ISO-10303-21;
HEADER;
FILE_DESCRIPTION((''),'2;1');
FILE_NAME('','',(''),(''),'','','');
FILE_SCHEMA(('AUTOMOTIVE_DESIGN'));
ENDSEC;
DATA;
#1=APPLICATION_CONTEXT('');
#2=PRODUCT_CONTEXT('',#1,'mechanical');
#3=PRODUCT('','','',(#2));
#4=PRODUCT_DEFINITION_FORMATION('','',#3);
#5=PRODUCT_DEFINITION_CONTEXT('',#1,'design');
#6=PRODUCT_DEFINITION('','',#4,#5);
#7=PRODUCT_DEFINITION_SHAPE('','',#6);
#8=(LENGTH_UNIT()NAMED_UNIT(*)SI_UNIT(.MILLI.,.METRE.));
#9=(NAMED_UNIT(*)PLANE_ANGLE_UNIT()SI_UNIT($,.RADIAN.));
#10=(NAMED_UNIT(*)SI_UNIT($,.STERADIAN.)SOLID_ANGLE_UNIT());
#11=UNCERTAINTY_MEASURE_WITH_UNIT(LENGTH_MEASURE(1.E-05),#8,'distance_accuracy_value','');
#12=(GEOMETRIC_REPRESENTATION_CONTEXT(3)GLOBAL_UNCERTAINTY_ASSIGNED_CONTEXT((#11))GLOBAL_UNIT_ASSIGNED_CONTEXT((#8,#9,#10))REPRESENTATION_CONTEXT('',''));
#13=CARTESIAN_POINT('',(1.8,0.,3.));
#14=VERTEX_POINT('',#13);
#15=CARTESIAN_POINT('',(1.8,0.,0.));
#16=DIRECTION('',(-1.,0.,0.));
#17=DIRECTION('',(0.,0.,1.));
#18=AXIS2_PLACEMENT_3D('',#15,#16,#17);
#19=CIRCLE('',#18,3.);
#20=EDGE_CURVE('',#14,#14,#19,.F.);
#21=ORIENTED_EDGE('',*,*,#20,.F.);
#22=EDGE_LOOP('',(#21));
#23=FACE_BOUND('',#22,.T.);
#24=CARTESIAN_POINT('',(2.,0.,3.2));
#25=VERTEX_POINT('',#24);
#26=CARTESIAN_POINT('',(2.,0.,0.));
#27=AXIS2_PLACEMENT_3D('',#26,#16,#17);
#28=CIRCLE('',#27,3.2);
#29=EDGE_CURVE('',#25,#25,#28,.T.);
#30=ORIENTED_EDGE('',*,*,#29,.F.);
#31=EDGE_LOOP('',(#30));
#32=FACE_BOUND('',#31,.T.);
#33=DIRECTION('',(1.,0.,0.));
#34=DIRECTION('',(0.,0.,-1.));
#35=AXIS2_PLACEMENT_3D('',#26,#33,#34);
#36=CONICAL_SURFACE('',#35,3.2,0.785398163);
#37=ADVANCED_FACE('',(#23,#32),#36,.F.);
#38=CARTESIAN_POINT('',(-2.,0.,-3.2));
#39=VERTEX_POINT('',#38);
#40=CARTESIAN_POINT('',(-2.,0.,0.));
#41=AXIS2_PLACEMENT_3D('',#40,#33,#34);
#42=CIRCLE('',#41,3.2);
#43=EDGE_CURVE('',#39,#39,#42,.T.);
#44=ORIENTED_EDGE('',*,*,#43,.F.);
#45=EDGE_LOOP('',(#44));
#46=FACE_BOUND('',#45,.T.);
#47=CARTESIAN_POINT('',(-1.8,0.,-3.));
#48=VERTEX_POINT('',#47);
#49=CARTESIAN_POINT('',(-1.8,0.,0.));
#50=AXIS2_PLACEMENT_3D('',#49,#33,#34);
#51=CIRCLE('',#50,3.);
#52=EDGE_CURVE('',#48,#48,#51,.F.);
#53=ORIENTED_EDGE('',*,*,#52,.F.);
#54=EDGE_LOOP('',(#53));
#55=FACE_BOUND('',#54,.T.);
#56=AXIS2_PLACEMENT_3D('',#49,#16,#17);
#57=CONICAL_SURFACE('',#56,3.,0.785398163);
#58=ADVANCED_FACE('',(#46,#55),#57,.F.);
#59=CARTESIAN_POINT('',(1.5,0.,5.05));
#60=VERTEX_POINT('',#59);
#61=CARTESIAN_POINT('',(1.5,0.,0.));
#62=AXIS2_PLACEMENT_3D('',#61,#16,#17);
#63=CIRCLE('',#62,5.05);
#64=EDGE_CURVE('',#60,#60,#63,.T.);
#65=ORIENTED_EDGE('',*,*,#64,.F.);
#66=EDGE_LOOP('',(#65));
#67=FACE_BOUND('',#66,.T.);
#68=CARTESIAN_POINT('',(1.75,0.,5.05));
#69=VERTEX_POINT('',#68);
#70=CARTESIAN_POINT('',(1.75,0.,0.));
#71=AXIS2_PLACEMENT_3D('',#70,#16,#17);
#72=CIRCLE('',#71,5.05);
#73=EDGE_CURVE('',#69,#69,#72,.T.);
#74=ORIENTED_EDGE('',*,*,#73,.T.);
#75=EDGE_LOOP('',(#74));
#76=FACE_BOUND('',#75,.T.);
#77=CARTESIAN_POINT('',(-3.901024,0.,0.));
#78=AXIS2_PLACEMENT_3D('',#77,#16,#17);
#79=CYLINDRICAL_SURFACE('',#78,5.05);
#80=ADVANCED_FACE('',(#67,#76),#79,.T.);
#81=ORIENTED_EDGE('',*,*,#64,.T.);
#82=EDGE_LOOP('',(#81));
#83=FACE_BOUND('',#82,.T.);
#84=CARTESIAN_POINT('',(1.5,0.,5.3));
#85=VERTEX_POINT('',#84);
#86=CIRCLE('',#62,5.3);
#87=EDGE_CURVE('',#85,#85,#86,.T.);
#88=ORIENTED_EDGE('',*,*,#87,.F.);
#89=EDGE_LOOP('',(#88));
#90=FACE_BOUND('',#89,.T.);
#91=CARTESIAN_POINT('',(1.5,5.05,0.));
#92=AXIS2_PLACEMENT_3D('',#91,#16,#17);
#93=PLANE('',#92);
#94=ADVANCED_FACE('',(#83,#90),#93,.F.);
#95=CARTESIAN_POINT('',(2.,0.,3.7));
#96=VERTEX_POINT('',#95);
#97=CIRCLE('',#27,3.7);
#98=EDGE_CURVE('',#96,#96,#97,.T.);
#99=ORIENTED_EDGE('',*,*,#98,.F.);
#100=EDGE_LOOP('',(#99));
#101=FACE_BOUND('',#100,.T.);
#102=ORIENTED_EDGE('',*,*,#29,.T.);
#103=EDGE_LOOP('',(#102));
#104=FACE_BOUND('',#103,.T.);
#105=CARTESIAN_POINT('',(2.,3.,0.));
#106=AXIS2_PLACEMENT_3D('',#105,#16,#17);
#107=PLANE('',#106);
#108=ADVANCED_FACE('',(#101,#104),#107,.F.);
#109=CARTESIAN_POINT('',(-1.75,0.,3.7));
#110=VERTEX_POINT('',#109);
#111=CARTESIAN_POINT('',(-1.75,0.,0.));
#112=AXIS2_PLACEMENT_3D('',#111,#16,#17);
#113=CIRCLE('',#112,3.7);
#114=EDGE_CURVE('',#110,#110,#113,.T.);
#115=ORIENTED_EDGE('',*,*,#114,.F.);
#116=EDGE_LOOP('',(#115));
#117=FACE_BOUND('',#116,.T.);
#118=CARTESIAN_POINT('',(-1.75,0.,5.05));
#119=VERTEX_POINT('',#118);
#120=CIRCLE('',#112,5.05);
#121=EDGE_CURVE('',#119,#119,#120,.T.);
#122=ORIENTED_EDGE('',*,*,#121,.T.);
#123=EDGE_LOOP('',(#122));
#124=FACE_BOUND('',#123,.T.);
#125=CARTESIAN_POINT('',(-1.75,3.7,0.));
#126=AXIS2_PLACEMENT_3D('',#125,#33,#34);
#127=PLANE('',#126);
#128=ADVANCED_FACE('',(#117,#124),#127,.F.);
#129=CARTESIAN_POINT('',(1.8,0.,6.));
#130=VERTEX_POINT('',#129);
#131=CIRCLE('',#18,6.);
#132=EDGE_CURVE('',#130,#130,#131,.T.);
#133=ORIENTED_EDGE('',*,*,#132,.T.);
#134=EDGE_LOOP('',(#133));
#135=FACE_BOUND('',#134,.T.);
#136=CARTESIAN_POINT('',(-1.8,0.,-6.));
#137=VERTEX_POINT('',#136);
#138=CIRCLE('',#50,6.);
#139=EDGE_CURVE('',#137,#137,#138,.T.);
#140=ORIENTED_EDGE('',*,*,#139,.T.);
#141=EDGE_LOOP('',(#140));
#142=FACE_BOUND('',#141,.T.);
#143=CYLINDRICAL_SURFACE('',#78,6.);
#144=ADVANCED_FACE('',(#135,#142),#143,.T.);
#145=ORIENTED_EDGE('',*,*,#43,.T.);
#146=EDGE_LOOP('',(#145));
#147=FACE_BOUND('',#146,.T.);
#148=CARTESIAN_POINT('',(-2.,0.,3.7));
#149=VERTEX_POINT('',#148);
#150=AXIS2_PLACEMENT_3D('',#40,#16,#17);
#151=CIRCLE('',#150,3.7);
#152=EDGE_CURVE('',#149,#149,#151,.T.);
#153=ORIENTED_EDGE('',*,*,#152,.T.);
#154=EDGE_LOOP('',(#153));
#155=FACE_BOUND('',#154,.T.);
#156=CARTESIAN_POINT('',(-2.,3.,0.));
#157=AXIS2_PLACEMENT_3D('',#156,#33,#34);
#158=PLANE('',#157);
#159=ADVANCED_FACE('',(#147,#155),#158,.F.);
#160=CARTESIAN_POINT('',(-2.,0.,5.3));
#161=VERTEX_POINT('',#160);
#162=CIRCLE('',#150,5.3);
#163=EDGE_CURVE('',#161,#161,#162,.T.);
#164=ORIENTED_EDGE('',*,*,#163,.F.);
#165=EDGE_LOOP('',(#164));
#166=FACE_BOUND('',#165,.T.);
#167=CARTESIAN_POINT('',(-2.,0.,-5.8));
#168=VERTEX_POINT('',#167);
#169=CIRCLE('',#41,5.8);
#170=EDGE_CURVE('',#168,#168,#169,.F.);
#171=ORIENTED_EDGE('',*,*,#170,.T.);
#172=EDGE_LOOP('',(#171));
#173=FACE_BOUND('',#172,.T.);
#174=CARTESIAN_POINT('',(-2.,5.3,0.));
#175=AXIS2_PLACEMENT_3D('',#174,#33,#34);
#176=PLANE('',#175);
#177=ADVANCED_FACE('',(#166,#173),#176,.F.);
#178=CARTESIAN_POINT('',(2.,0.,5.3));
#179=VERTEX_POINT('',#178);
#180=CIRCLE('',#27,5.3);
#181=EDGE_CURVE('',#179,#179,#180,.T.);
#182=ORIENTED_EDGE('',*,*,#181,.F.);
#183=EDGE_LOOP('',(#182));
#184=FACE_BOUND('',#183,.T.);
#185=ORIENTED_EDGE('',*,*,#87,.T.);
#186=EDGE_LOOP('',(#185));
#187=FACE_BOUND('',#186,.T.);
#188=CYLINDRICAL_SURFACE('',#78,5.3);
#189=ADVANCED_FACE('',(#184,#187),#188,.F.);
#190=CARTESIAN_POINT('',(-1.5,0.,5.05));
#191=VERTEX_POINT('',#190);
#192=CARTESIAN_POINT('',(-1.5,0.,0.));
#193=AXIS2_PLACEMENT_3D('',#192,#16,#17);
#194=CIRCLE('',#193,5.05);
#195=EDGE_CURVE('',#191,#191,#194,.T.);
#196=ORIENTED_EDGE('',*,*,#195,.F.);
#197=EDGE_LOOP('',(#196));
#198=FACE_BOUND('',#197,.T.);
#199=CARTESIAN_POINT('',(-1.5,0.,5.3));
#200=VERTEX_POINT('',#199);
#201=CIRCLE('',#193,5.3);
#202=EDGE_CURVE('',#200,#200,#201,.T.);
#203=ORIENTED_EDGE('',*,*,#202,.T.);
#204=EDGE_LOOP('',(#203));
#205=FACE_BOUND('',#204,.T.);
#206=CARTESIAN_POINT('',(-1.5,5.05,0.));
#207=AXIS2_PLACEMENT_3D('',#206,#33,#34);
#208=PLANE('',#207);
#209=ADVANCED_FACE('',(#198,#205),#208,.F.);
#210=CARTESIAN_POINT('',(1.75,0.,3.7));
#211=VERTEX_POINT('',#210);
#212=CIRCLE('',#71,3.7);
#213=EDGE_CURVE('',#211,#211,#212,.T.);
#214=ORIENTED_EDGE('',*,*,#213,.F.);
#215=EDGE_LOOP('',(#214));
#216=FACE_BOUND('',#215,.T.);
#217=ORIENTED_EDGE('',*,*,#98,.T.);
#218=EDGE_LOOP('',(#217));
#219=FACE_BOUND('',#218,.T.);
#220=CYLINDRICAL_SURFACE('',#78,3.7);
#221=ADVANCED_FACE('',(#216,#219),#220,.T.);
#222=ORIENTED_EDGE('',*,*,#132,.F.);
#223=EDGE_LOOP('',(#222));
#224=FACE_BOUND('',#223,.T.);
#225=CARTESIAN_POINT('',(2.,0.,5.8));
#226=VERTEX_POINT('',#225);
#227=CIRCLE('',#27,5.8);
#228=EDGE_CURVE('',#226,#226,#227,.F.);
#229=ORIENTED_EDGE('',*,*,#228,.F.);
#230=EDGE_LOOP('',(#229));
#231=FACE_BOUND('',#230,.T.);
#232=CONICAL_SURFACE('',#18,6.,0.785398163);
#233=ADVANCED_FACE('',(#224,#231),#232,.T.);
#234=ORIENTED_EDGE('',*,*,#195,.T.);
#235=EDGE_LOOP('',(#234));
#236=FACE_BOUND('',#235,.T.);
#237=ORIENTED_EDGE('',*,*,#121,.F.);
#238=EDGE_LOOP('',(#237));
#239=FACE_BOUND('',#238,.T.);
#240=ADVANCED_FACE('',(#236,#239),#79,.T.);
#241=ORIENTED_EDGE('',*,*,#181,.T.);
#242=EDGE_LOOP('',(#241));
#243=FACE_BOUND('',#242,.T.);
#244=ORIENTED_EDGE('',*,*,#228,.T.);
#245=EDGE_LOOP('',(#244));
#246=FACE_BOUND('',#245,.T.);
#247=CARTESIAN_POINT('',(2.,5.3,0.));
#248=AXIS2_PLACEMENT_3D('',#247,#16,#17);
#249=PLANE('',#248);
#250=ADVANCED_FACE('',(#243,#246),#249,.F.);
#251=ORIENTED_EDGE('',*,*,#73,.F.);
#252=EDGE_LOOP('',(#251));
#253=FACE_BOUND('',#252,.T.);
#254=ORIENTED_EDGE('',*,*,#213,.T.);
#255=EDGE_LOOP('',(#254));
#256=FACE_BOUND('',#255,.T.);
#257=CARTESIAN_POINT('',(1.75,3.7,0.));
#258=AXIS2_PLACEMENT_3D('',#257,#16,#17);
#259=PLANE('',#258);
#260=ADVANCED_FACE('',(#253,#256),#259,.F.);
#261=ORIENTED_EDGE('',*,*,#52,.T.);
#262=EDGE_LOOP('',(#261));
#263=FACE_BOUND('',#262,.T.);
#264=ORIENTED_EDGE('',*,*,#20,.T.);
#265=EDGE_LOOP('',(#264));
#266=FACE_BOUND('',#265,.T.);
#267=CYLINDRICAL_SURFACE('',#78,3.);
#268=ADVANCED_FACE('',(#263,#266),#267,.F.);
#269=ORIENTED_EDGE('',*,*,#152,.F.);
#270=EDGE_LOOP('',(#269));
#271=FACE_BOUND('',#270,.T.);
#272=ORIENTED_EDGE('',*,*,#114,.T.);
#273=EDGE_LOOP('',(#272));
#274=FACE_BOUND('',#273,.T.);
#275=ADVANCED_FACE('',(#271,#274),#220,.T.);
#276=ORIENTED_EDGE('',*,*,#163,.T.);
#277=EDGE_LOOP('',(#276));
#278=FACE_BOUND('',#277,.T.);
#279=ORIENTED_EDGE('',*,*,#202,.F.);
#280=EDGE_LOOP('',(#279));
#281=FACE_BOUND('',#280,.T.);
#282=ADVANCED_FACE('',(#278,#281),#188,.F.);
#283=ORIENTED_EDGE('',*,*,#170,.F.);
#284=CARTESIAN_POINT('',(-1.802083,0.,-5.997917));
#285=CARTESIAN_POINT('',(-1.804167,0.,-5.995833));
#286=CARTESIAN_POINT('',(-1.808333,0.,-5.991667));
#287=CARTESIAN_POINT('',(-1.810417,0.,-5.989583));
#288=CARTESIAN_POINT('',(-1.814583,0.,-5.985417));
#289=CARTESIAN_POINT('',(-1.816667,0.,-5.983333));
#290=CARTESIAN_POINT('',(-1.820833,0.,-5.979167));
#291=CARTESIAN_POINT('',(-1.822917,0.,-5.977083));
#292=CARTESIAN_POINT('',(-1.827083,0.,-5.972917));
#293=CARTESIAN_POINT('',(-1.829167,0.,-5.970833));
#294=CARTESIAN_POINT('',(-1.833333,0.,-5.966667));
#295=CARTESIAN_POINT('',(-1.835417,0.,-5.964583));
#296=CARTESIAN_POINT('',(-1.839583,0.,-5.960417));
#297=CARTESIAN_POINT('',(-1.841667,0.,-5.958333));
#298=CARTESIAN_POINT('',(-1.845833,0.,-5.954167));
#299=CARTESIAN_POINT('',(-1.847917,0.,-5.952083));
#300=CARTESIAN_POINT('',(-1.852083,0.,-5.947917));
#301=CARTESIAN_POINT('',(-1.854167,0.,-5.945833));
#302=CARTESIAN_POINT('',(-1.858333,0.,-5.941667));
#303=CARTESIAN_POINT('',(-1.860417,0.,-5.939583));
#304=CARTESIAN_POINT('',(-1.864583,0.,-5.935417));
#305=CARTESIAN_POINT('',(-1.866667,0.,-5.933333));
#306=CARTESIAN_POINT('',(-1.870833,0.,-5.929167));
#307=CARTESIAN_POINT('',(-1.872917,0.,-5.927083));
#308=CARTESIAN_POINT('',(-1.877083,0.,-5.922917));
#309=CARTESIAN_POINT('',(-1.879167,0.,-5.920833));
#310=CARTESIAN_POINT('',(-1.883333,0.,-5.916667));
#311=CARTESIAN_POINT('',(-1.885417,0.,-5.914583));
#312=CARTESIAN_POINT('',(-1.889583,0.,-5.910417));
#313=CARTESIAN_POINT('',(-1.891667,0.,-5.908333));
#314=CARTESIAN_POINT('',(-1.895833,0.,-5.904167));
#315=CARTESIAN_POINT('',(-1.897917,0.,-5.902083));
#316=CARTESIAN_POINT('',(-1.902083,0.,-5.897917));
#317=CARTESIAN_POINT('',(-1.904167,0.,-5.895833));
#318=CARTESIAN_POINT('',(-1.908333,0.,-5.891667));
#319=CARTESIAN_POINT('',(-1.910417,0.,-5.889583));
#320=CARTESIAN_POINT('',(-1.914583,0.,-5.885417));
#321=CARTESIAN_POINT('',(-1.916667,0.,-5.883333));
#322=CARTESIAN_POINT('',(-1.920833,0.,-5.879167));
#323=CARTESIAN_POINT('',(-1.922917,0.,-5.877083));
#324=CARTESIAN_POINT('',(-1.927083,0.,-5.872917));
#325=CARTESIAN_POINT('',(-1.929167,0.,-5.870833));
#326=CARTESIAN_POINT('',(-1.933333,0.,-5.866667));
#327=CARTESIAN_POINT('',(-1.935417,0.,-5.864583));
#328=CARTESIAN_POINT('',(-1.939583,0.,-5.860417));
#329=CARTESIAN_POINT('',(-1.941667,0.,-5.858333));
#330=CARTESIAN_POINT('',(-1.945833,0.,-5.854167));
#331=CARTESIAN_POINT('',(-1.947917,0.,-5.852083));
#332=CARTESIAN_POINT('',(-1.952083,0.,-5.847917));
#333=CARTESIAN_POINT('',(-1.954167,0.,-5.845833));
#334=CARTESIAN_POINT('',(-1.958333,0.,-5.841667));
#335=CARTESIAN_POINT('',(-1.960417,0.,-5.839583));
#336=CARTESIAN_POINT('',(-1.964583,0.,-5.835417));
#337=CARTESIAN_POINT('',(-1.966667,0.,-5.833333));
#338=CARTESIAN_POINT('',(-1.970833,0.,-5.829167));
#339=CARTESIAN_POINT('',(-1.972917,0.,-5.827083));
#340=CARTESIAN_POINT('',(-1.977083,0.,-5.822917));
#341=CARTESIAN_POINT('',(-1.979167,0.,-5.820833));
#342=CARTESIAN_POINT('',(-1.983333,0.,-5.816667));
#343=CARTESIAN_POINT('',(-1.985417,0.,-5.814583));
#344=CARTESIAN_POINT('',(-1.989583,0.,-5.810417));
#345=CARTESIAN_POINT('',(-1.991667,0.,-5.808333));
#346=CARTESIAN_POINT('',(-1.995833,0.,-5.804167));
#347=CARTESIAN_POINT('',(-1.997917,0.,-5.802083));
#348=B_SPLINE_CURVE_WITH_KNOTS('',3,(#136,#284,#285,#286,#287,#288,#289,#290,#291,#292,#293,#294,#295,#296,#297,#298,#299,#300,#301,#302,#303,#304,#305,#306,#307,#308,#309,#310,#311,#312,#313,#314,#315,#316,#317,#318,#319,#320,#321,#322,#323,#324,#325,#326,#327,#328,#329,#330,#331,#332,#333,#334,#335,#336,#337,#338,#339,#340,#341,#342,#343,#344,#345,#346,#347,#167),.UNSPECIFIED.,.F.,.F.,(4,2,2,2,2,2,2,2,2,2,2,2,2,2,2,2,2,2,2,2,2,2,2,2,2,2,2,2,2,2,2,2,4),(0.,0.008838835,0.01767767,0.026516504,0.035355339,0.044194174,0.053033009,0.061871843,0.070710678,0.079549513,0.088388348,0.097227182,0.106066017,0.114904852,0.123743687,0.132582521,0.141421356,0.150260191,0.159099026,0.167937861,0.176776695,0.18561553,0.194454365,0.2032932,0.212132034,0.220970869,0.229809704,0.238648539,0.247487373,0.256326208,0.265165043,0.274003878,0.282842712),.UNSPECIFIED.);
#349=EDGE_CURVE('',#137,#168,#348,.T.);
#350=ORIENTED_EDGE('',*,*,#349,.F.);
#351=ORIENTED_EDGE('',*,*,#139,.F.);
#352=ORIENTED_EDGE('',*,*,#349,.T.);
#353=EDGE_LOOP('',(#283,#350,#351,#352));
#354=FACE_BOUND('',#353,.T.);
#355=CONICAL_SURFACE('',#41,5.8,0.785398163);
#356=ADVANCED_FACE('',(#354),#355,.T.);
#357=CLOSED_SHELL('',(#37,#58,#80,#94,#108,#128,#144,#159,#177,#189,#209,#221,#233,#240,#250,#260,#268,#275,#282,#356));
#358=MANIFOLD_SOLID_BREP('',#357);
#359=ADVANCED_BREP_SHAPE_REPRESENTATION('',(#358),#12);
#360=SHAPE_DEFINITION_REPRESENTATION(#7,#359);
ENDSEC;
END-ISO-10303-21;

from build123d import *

# Parameters (mm, degrees)
CHAMFER_1_SIZE = 0.2


with BuildPart() as part:
    # 草图1 → 旋转1 (revolve)
    with BuildSketch(Plane.XY, mode=Mode.PRIVATE) as revolve_1_sk:
        Polygon((-2, 3), (2, 3), (2, 3.7), (1.75, 3.7), (1.75, 5.05), (1.5, 5.05), (1.5, 5.3), (2, 5.3), (2, 6), (-2, 6), (-2, 5.3), (-1.5, 5.3), (-1.5, 5.05), (-1.75, 5.05), (-1.75, 3.7), (-2, 3.7), align=None)
    revolve(revolve_1_sk.sketch.rotate(Axis((-3.90102381, 0, 0), (1, 0, 0)), 90), axis=Axis((-3.90102381, 0, 0), (1, 0, 0)))

    # 倒角1
    chamfer_1_edges = [part.edges().sort_by_distance(p)[0] for p in [
        (-2, 0, -6),
        (2, 0, -6),
        (2, 0, -3),
        (-2, 0, -3),
    ]]
    chamfer(chamfer_1_edges, length=CHAMFER_1_SIZE)


solid = part.part
